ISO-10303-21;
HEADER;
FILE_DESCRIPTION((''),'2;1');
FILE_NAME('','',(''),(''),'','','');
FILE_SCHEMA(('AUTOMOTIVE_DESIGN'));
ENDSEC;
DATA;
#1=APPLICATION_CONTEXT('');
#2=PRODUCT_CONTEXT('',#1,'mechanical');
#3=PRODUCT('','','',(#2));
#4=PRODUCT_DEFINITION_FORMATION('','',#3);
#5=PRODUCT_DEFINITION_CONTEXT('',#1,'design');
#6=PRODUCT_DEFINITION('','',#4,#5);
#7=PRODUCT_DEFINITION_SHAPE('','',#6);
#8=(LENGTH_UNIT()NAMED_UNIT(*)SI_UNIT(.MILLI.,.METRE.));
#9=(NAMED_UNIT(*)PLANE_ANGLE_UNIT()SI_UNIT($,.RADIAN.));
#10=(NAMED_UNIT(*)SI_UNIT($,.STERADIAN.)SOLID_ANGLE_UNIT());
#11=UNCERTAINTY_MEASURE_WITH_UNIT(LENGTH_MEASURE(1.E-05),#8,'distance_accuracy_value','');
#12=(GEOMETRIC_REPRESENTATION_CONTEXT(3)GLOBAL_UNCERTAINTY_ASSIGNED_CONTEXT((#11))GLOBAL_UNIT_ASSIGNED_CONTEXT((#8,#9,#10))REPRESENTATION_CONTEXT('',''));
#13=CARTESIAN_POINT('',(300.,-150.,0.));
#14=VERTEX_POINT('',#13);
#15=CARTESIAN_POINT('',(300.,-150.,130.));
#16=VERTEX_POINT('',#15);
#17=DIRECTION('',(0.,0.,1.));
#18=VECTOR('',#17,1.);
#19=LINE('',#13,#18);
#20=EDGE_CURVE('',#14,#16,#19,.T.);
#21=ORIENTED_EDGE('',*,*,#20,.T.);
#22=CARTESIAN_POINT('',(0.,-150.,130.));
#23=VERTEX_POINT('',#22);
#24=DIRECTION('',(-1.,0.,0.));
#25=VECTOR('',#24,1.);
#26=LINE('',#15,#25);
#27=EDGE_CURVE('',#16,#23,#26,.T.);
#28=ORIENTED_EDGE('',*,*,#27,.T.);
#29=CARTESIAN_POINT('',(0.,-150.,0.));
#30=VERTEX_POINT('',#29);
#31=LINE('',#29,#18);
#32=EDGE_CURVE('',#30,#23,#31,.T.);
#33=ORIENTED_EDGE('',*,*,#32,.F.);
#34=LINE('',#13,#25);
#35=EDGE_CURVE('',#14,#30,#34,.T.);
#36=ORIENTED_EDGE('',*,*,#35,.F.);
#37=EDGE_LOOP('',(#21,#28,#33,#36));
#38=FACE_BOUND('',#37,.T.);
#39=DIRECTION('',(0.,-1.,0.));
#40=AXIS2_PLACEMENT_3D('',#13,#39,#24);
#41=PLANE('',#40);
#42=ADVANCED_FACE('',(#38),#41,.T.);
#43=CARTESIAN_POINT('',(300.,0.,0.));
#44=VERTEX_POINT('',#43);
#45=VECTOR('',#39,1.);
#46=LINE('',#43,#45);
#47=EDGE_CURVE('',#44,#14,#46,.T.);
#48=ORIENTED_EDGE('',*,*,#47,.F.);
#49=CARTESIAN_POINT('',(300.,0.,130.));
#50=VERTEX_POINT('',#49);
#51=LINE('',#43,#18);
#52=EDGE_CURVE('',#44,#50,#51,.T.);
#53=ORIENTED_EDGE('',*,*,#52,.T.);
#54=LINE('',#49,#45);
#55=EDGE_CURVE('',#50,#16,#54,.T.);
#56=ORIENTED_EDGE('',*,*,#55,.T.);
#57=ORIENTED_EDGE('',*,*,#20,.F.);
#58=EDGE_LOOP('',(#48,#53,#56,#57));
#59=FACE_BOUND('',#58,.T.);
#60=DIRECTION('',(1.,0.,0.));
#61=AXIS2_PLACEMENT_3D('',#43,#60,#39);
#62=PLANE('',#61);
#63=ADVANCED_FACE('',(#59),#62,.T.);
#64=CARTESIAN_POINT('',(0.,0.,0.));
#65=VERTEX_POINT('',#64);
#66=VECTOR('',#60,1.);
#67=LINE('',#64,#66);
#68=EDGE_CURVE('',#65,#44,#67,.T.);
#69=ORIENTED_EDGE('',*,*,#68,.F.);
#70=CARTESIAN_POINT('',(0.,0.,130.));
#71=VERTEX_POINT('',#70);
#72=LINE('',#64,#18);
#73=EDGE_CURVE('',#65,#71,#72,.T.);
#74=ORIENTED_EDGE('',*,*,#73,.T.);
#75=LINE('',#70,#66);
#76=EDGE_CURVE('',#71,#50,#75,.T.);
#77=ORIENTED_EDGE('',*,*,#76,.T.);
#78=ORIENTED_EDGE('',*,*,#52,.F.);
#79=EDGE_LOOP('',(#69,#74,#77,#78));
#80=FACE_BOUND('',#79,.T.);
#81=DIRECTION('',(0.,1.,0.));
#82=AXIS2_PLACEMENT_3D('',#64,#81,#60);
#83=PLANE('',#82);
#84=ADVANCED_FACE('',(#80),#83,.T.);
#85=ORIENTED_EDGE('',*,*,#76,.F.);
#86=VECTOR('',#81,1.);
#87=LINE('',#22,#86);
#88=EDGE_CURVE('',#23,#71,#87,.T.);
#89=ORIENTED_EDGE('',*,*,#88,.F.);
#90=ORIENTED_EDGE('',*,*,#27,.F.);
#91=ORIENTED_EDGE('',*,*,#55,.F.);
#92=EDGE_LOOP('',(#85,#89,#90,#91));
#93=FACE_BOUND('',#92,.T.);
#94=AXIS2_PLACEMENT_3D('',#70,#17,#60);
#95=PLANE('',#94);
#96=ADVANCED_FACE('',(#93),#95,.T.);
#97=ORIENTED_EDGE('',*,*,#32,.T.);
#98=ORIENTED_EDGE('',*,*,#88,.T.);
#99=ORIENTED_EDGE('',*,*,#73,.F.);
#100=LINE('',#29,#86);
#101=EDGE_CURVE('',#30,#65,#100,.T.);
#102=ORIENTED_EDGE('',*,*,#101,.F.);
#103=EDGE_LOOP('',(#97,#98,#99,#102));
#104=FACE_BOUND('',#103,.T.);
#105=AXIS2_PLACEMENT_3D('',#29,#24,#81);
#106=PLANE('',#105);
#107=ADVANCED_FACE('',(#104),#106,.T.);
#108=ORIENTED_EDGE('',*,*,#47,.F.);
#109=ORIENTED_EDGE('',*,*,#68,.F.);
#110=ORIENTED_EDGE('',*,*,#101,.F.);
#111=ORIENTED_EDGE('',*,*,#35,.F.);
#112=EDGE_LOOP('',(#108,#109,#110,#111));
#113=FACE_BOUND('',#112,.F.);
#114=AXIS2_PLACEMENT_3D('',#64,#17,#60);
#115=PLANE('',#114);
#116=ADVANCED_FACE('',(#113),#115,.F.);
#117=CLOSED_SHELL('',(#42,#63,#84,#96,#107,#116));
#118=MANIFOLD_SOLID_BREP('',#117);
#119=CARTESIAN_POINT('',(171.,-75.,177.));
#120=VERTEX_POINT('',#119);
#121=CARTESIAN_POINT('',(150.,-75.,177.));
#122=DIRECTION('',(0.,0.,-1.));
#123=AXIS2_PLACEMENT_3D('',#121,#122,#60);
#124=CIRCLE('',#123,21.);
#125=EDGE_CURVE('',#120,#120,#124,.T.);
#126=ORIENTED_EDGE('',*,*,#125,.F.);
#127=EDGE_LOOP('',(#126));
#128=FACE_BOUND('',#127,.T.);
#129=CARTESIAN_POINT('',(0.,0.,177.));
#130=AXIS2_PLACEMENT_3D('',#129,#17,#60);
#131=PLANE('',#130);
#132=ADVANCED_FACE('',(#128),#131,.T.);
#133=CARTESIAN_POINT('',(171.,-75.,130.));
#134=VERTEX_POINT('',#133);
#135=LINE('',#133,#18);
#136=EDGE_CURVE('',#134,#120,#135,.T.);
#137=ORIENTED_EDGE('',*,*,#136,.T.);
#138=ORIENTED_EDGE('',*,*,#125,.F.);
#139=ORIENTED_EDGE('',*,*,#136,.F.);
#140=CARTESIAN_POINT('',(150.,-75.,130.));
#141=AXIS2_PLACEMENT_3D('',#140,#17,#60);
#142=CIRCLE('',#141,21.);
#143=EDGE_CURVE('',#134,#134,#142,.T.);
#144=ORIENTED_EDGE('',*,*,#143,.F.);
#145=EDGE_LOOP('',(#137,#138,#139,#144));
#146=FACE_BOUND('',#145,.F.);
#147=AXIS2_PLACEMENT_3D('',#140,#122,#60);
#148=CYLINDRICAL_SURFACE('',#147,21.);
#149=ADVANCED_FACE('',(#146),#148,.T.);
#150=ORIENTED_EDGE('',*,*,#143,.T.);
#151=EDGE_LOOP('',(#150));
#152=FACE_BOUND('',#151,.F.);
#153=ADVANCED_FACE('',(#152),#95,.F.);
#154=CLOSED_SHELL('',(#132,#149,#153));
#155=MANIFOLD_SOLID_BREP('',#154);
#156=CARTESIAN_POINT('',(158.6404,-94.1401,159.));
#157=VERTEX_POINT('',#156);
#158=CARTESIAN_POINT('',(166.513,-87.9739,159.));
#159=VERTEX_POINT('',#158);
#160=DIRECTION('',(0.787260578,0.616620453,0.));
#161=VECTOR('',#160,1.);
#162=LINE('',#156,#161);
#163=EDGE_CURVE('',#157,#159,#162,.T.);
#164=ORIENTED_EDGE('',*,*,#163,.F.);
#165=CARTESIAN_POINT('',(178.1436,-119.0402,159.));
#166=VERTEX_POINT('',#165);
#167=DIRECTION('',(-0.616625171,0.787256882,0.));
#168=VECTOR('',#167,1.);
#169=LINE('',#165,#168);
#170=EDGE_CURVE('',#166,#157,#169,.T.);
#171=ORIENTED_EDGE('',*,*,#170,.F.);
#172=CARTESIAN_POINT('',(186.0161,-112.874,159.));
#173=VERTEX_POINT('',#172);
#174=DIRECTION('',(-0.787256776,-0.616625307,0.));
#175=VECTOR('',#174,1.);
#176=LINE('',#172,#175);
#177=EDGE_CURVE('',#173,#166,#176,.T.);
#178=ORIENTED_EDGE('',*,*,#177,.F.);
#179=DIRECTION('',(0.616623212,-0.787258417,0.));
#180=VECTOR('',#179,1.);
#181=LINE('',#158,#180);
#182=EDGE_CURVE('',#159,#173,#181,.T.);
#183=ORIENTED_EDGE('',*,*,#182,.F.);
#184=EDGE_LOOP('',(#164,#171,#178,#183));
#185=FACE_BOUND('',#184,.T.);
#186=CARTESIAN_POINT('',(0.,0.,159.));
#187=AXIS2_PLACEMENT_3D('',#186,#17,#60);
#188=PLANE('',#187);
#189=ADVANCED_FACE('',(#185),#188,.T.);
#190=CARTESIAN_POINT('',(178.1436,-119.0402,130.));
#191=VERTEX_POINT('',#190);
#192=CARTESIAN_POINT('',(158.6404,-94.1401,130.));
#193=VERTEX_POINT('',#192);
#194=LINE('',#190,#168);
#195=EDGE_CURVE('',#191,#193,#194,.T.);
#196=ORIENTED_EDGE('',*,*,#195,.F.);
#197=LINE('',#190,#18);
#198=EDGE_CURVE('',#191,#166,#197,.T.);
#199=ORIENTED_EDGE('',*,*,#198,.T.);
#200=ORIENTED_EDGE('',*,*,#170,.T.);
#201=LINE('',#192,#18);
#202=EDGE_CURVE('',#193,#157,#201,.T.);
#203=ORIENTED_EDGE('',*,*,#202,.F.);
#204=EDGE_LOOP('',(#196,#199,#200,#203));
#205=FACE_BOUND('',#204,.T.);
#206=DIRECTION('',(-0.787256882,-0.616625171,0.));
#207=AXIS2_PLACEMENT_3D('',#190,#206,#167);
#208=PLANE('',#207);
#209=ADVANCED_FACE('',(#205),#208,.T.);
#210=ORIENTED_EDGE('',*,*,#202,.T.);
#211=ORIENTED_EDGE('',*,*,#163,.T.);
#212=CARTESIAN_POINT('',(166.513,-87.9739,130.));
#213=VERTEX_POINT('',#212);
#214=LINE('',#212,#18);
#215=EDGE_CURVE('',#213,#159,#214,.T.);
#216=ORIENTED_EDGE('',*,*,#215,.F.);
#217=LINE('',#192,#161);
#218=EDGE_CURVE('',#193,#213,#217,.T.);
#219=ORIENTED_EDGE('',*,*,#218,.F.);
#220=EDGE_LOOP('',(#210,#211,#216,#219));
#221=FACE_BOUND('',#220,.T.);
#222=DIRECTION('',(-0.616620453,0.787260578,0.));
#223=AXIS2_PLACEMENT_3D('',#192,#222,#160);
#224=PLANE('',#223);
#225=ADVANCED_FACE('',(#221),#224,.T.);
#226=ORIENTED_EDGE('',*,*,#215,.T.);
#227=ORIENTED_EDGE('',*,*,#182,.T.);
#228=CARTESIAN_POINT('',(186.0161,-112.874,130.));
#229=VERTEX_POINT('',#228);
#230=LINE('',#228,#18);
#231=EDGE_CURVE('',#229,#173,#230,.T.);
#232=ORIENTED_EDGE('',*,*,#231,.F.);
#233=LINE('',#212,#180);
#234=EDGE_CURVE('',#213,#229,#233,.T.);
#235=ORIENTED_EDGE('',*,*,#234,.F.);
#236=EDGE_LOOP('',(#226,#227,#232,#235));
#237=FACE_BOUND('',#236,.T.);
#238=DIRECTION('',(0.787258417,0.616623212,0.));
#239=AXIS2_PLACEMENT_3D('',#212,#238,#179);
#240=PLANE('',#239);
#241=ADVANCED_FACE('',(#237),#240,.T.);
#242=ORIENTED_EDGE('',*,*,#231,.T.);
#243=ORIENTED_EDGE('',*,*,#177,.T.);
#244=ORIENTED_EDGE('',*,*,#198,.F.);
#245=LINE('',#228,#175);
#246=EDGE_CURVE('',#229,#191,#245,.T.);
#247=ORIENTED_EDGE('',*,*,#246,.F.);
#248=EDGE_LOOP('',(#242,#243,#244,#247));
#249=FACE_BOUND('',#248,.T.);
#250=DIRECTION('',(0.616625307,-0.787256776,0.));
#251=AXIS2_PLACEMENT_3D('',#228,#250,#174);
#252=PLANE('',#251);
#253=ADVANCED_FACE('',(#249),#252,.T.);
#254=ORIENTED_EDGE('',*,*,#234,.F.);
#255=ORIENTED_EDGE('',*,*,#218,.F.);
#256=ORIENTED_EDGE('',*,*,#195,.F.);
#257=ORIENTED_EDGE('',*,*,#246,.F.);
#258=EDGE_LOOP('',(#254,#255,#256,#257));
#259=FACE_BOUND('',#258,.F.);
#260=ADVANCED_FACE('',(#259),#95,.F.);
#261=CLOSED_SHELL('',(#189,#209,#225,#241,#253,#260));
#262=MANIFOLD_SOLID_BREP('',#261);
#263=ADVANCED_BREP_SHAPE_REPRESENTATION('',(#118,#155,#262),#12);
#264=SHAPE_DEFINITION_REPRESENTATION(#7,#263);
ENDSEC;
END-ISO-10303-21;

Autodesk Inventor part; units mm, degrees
ref_plane "YZ Plane" through (0, 0, 0) normal (1, 0, 0) x (0, 1, 0)
ref_plane "XZ Plane" through (0, 0, 0) normal (0, 1, 0) x (-1, 0, 0)
ref_plane "XY Plane" through (0, 0, 0) normal (0, 0, 1) x (1, 0, 0)
sketch "Sketch1" plane through (0, 0, 0) normal (0, 0, 1) x (1, 0, 0)
  line L0 (0, 0) -> (300, 0)
  line L1 (300, 0) -> (300, -150)
  line L2 (300, -150) -> (0, -150)
  line L3 (0, -150) -> (0, 0)
  dimension "d0" = 300
  dimension "d1" = 150
extrude "Extrusion1" add sketch "Sketch1" along normal blind 130
sketch "Sketch2" plane through (0, 0, 130) normal (0, 0, 1) x (1, 0, 0)
  line L0 (0, -150) -> (300, -150) projected
  line L1 (0, 0) -> (300, -150) construction
  line L2 (0, -150) -> (300, 0) construction
  circle A0 centre (150, -75) radius 21
  line L3 (166.513, -87.9739) -> (186.0161, -112.874)
  line L4 (186.0161, -112.874) -> (178.1436, -119.0402)
  line L5 (178.1436, -119.0402) -> (158.6404, -94.1401)
  line L6 (158.6404, -94.1401) -> (166.513, -87.9739)
  line L7 (162.5767, -91.057) -> (182.0799, -115.9571) construction
  line L8 (150, -75) -> (205.4242, -145.7614) construction
  dimension "d4" = 42
  dimension "d5" = 52.025
  dimension "d6" = 51.93
  dimension "d7" = 10
extrude "Extrusion2" add sketch "Sketch2" along normal blind 47 separate body contours A0 L6 | L6 A0
extrude "Extrusion3" add sketch "Sketch2" along normal blind 29 separate body contours L6 A0 | A0 L3 L4 L5 picked at (163.1281, -90.8523)
ref_plane "Work Plane1" through (150, -75, 88.5) normal (0, 0, 1) x (1, 0, 0)
ref_plane "Work Plane2" through (0, -75, 0) normal (0, 1, 0) x (1, 0, 0)
ref_plane "Work Plane3" through (150, -150, 0) normal (-1, 0, 0) x (0, 0, 1)
properties part number "Assembly Mount Base"
